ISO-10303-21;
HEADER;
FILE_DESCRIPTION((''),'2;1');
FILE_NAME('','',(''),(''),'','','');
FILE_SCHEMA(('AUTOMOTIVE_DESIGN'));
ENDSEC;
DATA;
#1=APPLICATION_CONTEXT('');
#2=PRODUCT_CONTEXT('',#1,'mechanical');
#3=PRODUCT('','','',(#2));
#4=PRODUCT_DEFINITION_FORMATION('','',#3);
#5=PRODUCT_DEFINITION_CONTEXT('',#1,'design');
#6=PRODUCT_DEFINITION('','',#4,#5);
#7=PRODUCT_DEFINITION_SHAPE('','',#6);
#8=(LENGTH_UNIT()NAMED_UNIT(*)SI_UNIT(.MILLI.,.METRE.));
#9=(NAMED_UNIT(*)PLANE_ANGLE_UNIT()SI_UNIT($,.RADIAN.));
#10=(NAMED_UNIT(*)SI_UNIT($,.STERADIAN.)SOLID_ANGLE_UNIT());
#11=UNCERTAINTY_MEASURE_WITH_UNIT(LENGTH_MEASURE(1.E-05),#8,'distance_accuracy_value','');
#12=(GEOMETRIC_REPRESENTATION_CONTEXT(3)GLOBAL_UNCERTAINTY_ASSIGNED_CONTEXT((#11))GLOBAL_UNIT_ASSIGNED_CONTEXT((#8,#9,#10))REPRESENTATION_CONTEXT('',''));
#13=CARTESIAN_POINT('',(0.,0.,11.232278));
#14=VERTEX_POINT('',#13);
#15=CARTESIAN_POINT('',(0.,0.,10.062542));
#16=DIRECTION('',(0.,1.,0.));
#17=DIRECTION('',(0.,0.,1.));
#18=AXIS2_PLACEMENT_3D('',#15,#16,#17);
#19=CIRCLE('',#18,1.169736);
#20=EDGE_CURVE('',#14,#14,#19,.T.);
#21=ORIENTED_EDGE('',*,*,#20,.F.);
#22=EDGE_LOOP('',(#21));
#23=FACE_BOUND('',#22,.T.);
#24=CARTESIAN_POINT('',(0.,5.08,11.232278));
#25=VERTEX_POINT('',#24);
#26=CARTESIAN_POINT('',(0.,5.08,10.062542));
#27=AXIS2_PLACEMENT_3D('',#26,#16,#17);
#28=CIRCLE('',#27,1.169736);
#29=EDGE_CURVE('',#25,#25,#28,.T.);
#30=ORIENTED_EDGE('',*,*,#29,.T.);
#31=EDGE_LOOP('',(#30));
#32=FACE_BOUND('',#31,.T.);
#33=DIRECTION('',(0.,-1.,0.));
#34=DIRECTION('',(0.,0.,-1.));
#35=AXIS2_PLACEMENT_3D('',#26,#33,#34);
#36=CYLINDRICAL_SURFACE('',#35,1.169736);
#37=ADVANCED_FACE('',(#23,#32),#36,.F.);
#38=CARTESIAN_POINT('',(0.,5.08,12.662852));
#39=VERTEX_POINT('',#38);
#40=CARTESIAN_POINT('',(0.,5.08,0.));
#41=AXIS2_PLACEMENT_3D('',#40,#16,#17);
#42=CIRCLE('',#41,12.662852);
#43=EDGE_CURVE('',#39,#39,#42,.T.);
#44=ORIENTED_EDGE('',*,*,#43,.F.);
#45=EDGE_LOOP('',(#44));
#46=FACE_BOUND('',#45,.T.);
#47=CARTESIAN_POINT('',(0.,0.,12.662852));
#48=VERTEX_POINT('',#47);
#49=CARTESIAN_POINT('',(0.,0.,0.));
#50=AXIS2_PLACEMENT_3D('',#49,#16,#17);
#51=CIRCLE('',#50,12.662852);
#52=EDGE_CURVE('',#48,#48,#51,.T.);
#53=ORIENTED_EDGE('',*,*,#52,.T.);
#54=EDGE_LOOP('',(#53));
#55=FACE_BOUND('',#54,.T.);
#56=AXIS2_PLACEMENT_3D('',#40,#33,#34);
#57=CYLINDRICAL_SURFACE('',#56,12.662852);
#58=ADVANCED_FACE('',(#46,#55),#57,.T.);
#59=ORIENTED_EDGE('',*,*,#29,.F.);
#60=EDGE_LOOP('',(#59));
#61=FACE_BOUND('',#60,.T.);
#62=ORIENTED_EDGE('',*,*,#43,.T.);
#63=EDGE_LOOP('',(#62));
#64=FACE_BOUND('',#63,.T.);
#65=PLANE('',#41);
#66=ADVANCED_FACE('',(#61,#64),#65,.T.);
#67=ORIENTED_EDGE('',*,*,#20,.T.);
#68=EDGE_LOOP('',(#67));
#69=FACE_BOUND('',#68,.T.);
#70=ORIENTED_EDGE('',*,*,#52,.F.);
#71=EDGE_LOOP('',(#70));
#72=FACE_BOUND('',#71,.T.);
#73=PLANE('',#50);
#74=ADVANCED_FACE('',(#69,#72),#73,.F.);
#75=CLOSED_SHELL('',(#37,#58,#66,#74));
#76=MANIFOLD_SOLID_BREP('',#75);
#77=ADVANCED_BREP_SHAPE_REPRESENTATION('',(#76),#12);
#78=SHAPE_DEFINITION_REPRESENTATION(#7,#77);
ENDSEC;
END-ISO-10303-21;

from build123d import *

# Parameters (mm, degrees)
SKETCH1_R           = 12.662852008
SKETCH1_R_2         = 1.169736377
BOSS_EXTRUDE3_DEPTH = 5.08


with BuildPart() as part:
    # Sketch1 → Boss-Extrude3 (new body)
    with BuildSketch(Plane(origin=(0, 0, 0), x_dir=(1, 0, 0), z_dir=(0, 1, 0))):
        Circle(SKETCH1_R)
        with Locations((0, -10.062541764)):
            Circle(SKETCH1_R_2, mode=Mode.SUBTRACT)
    extrude(amount=BOSS_EXTRUDE3_DEPTH)


solid = part.part
